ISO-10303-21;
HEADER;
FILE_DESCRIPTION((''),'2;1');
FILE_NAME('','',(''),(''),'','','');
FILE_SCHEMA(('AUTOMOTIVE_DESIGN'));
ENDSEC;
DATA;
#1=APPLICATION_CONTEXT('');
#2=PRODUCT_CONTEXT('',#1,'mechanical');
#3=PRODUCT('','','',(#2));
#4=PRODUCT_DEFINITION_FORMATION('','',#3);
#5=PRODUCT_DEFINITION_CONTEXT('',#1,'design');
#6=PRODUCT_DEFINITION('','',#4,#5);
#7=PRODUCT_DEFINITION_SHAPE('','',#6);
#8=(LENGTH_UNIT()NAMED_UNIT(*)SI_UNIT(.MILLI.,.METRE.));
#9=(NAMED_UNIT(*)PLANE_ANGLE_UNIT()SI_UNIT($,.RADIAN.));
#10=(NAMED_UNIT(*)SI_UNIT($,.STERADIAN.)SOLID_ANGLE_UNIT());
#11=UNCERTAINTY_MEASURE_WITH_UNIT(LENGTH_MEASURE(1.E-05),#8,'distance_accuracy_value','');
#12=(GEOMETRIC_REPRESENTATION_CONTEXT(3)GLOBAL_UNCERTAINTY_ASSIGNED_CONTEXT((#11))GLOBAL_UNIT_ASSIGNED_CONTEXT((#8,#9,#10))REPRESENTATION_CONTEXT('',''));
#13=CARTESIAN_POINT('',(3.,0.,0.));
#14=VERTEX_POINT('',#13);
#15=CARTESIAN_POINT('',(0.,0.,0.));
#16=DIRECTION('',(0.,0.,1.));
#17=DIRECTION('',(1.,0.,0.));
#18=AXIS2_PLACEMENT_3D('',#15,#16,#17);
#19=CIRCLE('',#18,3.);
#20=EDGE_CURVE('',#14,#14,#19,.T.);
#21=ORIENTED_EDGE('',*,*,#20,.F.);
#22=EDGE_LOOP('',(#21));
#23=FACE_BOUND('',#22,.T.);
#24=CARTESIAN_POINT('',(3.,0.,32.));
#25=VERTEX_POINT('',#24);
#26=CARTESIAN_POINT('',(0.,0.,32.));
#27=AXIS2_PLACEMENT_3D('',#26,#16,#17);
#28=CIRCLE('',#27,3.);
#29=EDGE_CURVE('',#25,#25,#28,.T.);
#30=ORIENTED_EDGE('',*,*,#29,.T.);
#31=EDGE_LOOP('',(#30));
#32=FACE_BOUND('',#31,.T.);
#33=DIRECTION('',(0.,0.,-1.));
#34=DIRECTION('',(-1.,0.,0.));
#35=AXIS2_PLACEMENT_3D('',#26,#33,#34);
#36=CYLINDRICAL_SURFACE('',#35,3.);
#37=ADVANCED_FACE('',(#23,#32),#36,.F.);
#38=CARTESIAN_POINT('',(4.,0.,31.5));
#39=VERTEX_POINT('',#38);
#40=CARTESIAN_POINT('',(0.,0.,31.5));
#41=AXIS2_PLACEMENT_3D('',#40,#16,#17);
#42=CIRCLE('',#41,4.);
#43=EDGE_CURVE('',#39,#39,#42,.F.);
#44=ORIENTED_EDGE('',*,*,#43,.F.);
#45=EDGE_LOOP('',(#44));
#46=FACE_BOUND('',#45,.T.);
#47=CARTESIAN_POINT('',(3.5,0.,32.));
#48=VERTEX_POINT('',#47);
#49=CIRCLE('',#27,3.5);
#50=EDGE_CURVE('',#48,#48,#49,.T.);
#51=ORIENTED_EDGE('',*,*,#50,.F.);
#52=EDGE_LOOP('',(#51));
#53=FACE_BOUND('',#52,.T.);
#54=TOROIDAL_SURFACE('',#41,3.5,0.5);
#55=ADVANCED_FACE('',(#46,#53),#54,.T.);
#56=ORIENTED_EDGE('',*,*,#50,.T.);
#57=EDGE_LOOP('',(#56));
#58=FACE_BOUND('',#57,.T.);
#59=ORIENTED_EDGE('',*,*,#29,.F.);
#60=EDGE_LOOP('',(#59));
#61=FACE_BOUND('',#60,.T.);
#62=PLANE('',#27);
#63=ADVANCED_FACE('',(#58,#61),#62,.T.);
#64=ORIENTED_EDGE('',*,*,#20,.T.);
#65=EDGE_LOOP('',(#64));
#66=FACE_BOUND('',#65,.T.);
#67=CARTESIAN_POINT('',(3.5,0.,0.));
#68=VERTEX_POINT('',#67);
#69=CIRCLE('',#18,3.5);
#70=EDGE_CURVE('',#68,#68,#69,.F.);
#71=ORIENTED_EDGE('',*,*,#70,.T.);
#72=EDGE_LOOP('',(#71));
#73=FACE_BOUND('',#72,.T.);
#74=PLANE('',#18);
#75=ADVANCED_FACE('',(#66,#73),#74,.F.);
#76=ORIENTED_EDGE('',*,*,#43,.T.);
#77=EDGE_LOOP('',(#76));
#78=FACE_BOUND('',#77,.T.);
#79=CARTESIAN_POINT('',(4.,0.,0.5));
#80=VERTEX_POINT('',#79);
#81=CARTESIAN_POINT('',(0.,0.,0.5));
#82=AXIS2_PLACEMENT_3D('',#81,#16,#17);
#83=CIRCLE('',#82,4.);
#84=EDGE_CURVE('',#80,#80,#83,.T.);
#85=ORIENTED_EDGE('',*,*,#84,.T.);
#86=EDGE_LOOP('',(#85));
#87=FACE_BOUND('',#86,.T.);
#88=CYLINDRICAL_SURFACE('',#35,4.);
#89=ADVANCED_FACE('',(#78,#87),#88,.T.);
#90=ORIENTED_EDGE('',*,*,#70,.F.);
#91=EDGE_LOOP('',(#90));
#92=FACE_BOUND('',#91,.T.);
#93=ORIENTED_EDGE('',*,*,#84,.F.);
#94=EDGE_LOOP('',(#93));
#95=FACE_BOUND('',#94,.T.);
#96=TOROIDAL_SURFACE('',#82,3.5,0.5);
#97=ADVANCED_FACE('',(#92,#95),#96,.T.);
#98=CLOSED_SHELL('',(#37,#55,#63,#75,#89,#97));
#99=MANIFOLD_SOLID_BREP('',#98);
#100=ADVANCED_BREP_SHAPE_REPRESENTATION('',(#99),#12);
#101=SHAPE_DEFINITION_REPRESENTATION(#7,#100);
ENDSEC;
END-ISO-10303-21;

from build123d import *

# Parameters (mm, degrees)
SKETCH_1_R      = 4
SKETCH_1_R_2    = 3
EXTRUDE_1_DEPTH = 32
FILLET_1_R      = 0.5


with BuildPart() as part:
    # Эскиз1 → Бобышка-Вытянуть1 (new body)
    with BuildSketch(Plane.XY):
        Circle(SKETCH_1_R)
        Circle(SKETCH_1_R_2, mode=Mode.SUBTRACT)
    extrude(amount=EXTRUDE_1_DEPTH)

    # Скругление1
    fillet_1_edges = [part.edges().sort_by_distance(p)[0] for p in [
        (-4, 0, 0),
        (-4, 0, 32),
    ]]
    fillet(fillet_1_edges, radius=FILLET_1_R)


solid = part.part
